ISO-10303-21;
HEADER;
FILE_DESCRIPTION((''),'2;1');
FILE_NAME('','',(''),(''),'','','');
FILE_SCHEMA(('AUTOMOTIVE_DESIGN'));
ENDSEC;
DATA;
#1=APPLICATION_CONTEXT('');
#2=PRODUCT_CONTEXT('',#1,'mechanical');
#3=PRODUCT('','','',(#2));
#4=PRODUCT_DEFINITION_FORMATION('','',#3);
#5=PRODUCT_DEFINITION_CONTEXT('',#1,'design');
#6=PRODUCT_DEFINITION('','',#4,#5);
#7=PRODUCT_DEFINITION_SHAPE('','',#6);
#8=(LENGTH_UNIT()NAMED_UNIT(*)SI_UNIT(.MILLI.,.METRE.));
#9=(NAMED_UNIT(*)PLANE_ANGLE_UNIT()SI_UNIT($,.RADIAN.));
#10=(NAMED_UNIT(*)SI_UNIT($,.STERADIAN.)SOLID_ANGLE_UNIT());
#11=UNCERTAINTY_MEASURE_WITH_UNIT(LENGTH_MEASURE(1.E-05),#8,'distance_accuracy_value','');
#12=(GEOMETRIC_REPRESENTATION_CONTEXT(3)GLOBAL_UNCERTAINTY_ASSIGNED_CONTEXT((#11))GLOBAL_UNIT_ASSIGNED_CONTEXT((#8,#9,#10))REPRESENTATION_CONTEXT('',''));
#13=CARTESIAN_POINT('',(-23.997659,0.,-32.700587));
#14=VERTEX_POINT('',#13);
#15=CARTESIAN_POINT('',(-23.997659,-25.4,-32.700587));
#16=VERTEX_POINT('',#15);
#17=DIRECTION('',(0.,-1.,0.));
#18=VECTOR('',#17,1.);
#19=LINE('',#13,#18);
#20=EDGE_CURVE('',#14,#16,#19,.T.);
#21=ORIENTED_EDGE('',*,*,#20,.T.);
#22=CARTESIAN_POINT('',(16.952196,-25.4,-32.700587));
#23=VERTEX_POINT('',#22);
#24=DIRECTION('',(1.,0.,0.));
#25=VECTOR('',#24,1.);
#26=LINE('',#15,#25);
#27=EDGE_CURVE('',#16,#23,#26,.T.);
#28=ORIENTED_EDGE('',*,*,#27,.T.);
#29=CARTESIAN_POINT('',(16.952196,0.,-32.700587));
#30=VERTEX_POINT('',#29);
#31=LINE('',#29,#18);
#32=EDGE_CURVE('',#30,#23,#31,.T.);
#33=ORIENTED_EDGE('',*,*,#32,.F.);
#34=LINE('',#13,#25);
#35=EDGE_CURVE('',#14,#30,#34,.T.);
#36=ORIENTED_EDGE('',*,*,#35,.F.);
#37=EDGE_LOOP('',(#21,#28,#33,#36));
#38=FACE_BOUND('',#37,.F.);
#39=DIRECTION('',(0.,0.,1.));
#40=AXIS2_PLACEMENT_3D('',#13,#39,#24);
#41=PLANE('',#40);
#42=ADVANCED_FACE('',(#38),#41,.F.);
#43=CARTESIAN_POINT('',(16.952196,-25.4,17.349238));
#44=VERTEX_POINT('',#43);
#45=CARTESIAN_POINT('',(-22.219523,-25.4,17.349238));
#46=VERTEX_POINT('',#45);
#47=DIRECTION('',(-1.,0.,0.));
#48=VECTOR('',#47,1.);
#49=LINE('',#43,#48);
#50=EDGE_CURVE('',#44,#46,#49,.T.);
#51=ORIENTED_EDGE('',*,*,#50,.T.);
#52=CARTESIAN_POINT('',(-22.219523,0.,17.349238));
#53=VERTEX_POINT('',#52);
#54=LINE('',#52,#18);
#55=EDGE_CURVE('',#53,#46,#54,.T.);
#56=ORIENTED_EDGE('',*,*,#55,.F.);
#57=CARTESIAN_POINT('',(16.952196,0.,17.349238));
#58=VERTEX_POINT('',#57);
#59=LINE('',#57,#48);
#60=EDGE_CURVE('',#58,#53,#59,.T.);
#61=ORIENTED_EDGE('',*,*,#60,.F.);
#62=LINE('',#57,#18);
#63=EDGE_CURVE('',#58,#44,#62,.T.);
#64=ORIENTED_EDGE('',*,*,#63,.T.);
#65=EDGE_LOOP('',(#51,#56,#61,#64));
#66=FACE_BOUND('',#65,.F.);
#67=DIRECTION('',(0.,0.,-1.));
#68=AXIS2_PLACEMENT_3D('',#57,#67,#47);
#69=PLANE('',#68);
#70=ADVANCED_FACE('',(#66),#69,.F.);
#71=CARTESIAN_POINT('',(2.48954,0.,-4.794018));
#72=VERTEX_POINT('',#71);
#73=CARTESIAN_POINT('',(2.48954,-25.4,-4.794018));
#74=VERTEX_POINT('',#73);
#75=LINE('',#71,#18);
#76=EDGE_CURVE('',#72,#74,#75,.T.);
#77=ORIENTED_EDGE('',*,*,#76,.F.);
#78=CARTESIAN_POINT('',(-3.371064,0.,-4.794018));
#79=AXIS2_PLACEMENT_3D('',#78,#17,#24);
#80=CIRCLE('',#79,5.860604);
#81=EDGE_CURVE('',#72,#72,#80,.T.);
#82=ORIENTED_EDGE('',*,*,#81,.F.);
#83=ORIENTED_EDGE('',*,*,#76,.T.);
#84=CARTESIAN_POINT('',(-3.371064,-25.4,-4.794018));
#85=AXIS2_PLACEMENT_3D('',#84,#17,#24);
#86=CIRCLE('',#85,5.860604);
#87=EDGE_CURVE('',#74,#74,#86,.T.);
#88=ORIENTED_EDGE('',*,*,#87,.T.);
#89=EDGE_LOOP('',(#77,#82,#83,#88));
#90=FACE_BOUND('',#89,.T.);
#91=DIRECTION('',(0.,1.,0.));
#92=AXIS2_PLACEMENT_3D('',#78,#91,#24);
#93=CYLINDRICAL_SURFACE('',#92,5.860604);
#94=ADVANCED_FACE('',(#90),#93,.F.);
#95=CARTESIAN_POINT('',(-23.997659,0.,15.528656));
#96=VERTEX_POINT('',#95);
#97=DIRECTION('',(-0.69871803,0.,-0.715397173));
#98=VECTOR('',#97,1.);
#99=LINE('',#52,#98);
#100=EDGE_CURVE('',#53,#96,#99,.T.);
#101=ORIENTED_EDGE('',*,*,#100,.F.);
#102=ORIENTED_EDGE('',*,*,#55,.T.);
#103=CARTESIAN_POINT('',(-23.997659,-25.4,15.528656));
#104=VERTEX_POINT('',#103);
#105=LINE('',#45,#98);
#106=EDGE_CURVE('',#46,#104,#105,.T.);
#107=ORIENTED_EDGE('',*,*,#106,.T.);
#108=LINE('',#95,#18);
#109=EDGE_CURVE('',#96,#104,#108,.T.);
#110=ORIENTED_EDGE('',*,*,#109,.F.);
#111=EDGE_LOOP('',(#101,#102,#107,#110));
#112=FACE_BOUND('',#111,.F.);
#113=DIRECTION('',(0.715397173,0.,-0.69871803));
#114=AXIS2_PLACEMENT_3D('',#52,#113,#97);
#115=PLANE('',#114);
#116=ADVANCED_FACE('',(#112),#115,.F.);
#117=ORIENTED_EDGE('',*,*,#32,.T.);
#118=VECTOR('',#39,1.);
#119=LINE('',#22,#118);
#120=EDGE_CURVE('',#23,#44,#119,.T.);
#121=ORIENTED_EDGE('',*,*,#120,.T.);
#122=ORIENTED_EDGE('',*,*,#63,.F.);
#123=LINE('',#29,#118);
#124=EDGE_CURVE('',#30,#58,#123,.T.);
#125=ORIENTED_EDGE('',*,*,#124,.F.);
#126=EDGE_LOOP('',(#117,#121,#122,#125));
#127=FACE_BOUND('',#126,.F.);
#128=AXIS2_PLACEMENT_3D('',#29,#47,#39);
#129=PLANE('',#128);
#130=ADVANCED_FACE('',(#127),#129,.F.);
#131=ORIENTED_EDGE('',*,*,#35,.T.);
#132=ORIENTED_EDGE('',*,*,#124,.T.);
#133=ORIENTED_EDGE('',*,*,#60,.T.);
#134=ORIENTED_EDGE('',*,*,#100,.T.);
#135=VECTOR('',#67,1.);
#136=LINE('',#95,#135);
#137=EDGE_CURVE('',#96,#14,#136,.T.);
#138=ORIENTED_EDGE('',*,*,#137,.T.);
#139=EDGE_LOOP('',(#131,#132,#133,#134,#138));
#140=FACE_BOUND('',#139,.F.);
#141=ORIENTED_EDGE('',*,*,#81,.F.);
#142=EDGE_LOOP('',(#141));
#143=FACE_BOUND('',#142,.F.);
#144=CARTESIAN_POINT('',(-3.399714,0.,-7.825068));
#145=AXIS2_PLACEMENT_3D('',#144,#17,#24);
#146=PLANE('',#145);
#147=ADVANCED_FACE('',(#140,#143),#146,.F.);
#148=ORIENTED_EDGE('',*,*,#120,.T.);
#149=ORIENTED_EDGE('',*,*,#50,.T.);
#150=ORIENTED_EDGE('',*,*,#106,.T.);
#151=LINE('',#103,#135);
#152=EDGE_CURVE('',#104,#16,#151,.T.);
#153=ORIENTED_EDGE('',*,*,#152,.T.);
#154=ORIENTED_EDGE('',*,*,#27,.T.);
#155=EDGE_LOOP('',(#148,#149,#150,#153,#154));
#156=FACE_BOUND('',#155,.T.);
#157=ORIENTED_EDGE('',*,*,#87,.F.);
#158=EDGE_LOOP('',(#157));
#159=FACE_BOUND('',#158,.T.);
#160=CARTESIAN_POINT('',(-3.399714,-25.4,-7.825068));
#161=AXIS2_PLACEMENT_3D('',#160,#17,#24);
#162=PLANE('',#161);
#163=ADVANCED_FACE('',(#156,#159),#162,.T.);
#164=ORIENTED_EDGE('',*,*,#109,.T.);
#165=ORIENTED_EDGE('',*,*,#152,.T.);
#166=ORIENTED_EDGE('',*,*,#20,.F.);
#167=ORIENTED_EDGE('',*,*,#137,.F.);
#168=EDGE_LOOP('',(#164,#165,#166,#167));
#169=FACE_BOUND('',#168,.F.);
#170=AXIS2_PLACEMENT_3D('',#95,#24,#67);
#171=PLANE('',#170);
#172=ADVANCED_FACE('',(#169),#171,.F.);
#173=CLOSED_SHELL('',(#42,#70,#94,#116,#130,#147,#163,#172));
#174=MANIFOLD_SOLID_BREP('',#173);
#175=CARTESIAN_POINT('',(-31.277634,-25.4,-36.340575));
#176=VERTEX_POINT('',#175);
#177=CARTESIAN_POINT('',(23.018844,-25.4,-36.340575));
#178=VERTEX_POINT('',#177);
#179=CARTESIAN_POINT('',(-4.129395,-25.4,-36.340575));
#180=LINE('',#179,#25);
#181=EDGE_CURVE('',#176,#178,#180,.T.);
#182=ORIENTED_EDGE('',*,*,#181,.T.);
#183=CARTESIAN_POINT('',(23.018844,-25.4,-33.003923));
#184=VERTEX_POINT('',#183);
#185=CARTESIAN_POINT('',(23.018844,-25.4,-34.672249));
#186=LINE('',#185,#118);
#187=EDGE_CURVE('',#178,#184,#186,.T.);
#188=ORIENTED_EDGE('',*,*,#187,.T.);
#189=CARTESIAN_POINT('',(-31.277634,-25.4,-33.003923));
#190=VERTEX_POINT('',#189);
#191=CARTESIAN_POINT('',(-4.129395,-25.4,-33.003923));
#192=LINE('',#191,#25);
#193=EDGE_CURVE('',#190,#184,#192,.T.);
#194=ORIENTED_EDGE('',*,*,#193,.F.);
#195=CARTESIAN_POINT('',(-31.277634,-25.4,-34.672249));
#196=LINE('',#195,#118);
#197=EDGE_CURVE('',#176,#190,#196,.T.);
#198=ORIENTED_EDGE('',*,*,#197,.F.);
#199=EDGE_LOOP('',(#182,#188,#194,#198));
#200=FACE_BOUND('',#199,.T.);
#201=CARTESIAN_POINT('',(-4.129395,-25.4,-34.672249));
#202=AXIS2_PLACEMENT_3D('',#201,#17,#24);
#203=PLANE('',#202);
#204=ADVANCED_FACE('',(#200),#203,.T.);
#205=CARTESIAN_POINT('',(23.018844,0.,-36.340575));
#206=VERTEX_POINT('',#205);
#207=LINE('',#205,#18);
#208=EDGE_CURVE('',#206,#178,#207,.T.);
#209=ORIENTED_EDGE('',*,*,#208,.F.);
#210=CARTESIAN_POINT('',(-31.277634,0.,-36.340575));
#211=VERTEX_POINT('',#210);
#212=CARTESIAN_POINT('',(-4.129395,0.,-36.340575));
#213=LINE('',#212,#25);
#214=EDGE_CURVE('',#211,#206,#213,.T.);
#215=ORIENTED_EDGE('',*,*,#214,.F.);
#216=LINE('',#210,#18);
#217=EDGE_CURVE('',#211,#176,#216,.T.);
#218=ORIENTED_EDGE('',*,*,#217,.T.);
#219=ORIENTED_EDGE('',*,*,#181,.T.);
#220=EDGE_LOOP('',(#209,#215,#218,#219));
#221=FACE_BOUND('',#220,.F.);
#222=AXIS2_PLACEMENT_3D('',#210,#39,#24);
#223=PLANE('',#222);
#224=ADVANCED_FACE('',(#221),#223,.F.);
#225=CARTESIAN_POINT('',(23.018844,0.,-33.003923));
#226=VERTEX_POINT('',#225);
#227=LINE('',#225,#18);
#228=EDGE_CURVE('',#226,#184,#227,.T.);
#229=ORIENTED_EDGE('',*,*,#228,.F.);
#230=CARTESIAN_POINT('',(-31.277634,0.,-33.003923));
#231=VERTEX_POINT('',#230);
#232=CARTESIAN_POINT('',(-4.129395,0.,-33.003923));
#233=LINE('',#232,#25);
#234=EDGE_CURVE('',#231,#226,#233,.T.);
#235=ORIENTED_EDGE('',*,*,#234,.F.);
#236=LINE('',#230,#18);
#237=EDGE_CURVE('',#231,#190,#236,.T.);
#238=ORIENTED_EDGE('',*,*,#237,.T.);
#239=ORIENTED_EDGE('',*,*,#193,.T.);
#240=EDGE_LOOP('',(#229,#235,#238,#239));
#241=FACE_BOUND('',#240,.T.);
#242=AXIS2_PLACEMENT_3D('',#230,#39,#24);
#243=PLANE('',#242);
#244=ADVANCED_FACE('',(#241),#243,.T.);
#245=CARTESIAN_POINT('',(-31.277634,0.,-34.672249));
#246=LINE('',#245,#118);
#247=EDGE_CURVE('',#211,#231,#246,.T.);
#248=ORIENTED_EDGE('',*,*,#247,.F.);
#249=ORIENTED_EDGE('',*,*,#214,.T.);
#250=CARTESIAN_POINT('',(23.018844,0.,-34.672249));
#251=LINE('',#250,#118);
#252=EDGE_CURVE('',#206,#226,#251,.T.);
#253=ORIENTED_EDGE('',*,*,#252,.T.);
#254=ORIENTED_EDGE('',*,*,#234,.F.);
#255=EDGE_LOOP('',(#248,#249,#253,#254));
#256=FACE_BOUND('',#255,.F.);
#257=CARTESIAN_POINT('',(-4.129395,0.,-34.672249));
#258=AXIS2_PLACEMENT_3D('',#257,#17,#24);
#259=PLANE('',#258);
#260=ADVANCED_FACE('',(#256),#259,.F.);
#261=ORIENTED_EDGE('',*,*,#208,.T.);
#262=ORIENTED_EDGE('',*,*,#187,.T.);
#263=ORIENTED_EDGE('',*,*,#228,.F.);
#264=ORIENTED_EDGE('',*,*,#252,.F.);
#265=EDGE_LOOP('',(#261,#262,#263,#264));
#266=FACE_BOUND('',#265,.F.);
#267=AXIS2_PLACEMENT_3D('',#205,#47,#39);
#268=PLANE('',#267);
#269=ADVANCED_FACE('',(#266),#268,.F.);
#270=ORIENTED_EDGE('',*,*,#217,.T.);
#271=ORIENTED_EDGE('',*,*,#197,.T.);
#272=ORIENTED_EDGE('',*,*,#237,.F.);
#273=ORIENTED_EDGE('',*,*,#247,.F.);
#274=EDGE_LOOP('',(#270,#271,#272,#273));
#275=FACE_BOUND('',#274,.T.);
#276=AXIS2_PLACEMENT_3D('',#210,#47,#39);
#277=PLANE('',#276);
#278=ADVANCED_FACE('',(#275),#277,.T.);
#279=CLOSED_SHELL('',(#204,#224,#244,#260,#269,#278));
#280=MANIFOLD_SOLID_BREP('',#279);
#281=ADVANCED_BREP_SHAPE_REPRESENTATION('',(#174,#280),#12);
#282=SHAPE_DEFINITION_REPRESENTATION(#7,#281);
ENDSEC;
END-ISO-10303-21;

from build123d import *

# Parameters (mm, degrees)
F0_W     = 54.296478
F0_H     = 3.336653
F0_R     = 1.845098
F0_R_2   = 5.860604
F1_DEPTH = 25.4


with BuildPart() as f1:
    # F0 (on Front) → F1 (new body)
    with BuildSketch(Plane.XZ):
        with Locations((-4.129395, -34.672249)):
            Rectangle(F0_W, F0_H)
        Polygon((16.952196, 17.349238), (-22.219523, 17.349238), (-23.997659, 15.528656), (-23.997659, -32.700587), (16.952196, -32.700587), align=None)
        with Locations((-3.674396, -25.723945)):
            Circle(F0_R, mode=Mode.SUBTRACT)
        with Locations((-3.371064, -4.794018)):
            Circle(F0_R_2, mode=Mode.SUBTRACT)
        with Locations((-3.674396, -25.723945)):
            Circle(F0_R)
    extrude(amount=F1_DEPTH)


solid = f1.part
